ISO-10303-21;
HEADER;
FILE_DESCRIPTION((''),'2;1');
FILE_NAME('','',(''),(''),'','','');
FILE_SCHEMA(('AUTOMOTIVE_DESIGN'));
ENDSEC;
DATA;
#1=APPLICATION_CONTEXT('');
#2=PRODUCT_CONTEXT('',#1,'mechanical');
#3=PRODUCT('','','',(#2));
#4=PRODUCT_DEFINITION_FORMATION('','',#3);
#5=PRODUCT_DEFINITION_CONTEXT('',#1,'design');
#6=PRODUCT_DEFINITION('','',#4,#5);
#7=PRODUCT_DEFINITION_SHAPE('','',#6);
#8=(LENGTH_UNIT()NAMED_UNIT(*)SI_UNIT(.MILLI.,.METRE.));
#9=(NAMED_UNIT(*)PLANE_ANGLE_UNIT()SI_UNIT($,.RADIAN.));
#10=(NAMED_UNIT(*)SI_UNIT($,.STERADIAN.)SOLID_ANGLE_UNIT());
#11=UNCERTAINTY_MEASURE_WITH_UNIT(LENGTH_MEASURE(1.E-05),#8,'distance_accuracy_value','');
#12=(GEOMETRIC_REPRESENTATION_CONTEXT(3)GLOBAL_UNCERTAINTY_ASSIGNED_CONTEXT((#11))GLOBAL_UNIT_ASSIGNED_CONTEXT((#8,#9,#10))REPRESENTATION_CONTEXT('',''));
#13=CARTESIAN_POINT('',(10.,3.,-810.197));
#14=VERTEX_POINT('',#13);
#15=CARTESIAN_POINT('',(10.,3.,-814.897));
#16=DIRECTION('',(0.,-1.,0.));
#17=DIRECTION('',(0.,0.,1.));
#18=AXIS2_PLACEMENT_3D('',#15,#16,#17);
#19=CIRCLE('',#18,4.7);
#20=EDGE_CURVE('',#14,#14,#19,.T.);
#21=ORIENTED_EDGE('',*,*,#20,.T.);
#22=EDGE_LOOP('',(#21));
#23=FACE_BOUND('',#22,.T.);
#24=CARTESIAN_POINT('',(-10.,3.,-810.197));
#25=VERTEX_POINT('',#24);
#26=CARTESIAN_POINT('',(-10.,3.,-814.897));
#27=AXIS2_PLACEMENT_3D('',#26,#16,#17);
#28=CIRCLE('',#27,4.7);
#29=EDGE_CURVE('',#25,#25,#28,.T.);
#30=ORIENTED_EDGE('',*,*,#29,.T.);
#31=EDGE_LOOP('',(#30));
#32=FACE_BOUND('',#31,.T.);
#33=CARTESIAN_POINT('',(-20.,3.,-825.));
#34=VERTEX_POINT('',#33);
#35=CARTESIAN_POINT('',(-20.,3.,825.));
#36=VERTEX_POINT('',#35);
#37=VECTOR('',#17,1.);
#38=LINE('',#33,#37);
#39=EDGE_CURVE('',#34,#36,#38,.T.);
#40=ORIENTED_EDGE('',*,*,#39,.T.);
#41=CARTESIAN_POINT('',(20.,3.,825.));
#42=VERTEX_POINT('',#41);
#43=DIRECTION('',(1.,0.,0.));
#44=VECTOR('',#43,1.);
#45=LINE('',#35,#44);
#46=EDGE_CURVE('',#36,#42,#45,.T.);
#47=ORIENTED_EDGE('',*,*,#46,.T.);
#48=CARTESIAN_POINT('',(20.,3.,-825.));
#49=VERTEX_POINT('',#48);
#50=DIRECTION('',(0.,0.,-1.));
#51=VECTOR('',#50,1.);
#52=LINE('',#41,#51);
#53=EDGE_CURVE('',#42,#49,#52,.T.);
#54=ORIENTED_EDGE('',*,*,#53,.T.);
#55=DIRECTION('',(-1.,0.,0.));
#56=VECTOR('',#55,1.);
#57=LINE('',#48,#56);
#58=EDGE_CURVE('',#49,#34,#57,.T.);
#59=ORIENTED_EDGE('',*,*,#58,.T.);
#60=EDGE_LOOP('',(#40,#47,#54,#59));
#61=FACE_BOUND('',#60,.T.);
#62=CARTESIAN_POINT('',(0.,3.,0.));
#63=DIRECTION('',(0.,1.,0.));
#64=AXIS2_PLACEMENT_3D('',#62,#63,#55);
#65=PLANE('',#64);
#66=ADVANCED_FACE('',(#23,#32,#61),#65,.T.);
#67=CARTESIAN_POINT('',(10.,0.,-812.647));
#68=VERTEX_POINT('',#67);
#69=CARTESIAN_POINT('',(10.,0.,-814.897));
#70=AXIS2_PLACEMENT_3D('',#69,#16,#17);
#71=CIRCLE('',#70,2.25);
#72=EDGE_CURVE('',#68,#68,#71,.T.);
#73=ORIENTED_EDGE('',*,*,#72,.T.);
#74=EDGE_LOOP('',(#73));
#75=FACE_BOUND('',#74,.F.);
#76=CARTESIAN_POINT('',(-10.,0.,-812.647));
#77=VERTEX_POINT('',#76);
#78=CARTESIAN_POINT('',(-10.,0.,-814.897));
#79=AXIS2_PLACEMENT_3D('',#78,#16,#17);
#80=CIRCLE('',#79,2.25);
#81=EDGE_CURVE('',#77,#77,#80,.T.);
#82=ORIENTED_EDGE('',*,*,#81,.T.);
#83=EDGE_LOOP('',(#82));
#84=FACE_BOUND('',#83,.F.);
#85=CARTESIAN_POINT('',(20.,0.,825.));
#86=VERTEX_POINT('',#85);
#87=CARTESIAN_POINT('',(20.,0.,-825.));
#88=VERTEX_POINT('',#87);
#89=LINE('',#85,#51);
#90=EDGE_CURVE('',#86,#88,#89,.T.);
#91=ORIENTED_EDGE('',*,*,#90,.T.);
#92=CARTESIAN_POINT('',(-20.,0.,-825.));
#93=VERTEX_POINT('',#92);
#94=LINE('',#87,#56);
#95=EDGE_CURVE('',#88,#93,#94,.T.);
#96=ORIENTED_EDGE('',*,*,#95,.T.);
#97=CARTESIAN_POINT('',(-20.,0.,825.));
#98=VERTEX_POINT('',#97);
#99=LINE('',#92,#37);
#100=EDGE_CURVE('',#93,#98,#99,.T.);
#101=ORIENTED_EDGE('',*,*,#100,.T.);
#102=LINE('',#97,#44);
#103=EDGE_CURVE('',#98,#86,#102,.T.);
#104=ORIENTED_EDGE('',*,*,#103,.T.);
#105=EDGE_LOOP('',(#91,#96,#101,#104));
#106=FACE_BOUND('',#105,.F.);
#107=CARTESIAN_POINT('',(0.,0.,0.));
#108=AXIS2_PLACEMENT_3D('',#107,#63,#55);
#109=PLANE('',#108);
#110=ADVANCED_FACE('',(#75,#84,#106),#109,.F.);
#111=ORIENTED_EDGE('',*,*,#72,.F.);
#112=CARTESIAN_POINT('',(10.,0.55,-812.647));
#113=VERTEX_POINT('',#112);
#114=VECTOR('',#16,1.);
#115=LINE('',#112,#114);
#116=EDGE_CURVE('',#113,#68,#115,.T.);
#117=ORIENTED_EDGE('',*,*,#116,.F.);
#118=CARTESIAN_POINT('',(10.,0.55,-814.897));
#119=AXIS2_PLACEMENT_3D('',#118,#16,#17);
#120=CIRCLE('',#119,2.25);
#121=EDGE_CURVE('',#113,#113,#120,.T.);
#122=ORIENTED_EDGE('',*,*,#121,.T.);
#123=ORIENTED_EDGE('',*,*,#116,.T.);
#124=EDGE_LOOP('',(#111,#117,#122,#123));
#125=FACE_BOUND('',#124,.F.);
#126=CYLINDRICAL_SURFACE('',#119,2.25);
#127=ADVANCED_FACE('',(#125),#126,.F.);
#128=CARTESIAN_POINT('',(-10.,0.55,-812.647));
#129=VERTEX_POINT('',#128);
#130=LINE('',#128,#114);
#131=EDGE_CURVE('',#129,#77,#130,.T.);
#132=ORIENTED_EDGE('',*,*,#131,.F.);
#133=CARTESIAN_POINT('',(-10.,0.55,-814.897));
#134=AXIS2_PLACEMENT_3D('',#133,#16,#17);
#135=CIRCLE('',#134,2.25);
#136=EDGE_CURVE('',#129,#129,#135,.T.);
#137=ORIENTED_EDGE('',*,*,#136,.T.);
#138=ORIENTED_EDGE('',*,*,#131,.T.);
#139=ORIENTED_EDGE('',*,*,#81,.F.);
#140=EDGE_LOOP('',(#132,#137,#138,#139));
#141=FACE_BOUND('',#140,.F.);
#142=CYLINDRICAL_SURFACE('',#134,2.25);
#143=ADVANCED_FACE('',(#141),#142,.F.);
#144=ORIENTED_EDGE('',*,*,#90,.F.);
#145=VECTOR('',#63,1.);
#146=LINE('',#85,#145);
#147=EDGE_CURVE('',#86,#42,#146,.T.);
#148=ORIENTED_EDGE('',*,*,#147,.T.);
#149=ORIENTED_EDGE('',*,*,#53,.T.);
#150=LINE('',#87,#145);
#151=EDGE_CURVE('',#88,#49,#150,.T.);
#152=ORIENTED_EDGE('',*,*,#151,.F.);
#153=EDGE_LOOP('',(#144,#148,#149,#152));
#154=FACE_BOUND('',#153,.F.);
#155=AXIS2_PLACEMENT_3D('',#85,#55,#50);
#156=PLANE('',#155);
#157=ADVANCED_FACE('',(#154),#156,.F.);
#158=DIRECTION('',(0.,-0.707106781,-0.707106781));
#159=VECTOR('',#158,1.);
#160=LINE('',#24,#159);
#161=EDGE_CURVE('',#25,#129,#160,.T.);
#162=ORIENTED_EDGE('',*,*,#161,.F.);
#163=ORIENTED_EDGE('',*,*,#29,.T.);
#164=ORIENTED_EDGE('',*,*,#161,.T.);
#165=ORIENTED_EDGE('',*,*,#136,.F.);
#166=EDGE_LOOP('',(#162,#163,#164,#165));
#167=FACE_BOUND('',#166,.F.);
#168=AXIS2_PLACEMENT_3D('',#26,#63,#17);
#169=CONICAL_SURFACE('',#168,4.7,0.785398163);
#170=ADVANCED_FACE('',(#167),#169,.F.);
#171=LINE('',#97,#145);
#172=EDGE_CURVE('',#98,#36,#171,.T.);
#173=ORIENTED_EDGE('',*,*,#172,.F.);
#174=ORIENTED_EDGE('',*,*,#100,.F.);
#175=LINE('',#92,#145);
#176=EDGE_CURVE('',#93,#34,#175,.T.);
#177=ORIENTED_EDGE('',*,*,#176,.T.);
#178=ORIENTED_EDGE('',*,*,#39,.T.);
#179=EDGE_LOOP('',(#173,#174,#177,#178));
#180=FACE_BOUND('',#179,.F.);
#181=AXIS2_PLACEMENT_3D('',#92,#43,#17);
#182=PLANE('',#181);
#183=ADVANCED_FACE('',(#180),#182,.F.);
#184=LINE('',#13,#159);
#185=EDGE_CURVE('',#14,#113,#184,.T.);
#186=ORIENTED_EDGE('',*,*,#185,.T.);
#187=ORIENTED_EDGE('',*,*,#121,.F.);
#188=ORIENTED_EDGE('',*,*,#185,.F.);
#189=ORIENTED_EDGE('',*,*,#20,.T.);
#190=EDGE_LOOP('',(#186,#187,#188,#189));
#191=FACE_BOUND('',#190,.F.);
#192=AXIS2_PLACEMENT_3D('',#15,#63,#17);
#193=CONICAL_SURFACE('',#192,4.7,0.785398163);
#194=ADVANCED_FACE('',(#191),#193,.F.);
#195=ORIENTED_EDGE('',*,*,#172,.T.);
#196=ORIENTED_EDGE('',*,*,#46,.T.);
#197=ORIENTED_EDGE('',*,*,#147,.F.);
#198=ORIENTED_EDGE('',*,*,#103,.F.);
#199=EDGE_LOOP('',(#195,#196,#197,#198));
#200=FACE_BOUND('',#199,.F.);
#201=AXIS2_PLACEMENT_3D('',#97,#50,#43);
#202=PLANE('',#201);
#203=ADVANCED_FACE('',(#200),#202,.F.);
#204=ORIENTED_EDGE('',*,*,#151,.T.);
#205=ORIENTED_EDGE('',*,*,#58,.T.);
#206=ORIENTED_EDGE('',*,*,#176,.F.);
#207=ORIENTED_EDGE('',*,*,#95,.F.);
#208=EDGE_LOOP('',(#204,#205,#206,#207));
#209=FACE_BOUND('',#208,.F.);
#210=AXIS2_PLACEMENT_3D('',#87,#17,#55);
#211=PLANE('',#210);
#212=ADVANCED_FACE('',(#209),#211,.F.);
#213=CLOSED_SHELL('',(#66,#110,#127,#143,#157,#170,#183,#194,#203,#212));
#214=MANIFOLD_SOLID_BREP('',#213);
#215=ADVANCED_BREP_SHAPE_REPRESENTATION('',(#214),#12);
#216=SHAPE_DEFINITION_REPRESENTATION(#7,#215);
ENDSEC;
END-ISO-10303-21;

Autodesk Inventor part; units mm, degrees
ref_plane "YZ Plane" through (0, 0, 0) normal (1, 0, 0) x (0, 1, 0)
ref_plane "XZ Plane" through (0, 0, 0) normal (0, 1, 0) x (-1, 0, 0)
ref_plane "XY Plane" through (0, 0, 0) normal (0, 0, 1) x (1, 0, 0)
sketch "Sketch1" plane through (0, 0, 0) normal (0, 1, 0) x (-1, 0, 0)
  line L0 (20, 825) -> (-20, 825)
  line L1 (-20, 825) -> (-20, -825)
  line L2 (-20, -825) -> (20, -825)
  line L3 (20, -825) -> (20, 825)
  line L4 (20, 825) -> (-20, -825) construction
  line L5 (-20, 825) -> (20, -825) construction
  point P0 (0, 0)
  dimension "d0" = 40
  dimension "d1" = 1650
extrude "Extrusion1" add sketch "Sketch1" along normal blind 3
sketch "Sketch2" plane through (0, 3, 0) normal (0, 1, 0) x (1, 0, 0)
  line L0 (0, 824.897) -> (0, 814.897)
  line L1 (0, 814.897) -> (-10, 814.897)
  point P0 (0, 0)
  point P1 (10, 814.897)
  dimension "d4" = 10
  dimension "d5" = 10
hole "Hole1" at (-10, 3, -814.897) at (10, 3, -814.897) direction (0, -1, 0) diameter 4.5 depth 8 countersink diameter 9.4 countersink angle 90 clearance for "Countersunk Flat Head Screw ISO 2009/7046" size "M4" standard "ISO"
properties part number "SP53V1 Acrilico superior" material "Polycarbonate, Smoke"
